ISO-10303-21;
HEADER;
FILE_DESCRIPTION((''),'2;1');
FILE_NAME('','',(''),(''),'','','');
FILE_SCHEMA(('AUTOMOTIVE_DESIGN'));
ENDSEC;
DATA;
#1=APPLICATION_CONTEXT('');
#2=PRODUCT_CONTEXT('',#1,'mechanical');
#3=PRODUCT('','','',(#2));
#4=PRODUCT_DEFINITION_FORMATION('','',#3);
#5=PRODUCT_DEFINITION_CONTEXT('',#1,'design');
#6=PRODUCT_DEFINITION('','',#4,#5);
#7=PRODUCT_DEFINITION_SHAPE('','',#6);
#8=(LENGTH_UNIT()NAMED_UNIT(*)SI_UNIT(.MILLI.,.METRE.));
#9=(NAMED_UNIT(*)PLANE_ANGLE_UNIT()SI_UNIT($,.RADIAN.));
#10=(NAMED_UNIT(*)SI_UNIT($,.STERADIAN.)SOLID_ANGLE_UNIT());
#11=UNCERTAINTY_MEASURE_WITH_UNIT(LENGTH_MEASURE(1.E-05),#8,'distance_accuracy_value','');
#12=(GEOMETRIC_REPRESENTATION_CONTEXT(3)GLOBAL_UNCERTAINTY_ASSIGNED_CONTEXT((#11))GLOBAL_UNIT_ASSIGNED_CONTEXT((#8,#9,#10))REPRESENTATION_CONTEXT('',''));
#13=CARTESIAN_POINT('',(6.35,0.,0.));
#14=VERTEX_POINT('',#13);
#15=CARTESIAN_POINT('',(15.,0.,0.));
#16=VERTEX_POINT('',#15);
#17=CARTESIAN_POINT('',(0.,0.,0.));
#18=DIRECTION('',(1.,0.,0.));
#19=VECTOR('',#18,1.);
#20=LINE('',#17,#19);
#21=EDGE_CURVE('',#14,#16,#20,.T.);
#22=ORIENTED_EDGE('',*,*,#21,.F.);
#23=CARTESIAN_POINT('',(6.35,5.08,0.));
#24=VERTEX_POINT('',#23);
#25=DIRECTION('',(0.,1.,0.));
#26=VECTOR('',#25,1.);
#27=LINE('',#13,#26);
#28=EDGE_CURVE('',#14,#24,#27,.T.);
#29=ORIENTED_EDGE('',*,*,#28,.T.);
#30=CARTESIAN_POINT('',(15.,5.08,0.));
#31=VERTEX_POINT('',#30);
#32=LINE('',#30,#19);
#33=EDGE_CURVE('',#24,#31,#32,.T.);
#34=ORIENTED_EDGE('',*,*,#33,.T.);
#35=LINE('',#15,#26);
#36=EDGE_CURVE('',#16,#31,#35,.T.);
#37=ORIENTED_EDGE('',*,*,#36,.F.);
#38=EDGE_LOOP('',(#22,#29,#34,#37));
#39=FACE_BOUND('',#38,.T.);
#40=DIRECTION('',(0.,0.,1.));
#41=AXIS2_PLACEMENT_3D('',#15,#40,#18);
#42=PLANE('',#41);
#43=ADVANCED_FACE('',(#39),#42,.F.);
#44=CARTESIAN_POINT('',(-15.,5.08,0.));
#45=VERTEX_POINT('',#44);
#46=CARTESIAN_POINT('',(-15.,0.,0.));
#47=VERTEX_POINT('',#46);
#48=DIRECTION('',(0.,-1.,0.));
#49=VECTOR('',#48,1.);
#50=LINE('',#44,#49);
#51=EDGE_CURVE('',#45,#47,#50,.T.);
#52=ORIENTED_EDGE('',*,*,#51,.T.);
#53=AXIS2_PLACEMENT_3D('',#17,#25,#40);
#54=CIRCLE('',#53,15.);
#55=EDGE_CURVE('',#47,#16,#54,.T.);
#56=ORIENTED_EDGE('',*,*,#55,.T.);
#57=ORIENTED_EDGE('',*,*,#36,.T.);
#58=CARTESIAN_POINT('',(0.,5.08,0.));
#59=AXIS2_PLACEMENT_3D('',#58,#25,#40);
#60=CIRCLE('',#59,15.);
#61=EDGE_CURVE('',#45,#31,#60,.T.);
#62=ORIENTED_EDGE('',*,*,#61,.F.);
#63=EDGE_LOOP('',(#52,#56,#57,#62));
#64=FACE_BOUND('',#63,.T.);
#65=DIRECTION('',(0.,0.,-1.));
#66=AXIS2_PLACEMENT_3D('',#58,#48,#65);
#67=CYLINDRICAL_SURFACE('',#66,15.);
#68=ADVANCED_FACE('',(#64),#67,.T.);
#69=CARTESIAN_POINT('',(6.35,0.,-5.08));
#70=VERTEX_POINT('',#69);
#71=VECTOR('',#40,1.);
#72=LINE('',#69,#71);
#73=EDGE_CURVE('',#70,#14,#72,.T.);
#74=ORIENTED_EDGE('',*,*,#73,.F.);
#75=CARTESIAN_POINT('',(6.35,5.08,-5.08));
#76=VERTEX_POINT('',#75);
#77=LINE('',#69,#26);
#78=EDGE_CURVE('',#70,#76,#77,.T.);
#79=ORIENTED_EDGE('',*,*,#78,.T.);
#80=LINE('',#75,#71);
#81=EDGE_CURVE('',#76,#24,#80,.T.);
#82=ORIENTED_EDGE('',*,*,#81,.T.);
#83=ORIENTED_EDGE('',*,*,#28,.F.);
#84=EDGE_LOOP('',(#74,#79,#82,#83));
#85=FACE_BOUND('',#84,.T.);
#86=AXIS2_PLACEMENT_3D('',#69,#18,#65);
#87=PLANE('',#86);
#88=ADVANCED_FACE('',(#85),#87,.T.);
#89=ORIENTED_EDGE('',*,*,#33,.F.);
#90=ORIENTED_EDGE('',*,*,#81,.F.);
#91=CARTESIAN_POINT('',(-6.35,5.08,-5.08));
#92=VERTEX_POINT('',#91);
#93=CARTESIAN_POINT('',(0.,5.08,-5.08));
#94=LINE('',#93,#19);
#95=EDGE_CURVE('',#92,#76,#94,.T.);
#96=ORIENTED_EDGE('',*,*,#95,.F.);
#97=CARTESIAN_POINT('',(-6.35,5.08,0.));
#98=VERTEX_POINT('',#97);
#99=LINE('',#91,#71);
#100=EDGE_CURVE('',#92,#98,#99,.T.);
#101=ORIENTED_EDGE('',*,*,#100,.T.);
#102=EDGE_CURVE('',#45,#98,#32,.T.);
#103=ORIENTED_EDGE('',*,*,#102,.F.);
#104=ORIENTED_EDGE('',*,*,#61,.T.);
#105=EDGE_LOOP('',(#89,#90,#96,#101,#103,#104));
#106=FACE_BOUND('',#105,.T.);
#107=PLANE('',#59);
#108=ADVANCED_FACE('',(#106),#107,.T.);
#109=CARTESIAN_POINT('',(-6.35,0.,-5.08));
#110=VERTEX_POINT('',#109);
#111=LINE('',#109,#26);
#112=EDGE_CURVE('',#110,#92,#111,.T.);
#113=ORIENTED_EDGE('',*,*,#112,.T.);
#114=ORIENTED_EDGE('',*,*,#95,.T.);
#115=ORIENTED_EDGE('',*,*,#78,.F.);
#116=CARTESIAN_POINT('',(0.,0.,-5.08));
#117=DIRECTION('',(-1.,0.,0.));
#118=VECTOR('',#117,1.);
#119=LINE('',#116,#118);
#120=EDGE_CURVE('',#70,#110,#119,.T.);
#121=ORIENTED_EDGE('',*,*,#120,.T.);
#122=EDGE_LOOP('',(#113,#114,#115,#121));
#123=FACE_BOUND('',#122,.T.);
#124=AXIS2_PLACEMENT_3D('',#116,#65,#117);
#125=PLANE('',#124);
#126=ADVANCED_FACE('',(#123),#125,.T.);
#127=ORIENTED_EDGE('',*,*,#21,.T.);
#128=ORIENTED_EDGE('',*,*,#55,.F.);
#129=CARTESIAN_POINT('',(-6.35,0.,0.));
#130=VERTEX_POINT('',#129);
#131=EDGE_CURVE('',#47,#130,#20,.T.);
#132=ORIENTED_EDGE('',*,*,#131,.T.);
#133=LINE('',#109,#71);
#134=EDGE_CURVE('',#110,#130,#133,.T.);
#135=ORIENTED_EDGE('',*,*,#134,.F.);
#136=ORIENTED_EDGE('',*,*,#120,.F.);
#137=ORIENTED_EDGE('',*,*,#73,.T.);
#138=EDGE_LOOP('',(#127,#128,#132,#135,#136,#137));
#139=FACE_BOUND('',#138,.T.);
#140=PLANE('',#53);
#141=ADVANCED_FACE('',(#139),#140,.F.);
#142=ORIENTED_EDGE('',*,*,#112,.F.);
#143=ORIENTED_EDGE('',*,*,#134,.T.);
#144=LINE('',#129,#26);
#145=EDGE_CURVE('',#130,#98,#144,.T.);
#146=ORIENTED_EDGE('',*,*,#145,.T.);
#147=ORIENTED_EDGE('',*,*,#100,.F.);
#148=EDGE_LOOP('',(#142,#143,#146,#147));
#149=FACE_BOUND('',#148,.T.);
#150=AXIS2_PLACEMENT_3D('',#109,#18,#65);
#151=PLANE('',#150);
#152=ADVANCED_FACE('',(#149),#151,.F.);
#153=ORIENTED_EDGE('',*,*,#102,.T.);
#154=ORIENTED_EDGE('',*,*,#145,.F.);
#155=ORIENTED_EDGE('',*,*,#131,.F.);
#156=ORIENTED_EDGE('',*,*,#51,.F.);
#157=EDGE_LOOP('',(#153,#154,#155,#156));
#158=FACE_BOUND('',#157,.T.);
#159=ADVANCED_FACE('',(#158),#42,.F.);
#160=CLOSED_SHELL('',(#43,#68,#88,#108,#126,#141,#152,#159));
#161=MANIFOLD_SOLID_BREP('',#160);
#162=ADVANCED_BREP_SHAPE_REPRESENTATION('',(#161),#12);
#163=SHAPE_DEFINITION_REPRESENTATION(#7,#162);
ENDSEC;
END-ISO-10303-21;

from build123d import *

# Parameters (mm, degrees)
SKETCH1_R           = 15
BOSS_EXTRUDE1_DEPTH = 5.08
SKETCH2_W           = 841.216063822
SKETCH2_H           = 769.249769976
CUT_EXTRUDE1_DEPTH  = 5.08
SKETCH3_W           = 12.7
SKETCH3_H           = 5.08
BOSS_EXTRUDE2_DEPTH = 5.08


with BuildPart() as part:
    # Sketch1 → Boss-Extrude1 (new body)
    with BuildSketch(Plane(origin=(0, 0, 0), x_dir=(1, 0, 0), z_dir=(0, 1, 0))):
        Circle(SKETCH1_R)
    extrude(amount=BOSS_EXTRUDE1_DEPTH)

    # Sketch2 → Cut-Extrude1 (cut)
    with BuildSketch(Plane(origin=(0, 5.08, 0), x_dir=(1, 0, 0), z_dir=(0, 1, 0))):
        with Locations((-405.608031911, 384.624884988)):
            Rectangle(SKETCH2_W, SKETCH2_H)
    extrude(amount=-CUT_EXTRUDE1_DEPTH, mode=Mode.SUBTRACT)

    # Sketch3 → Boss-Extrude2 (add)
    with BuildSketch(Plane(origin=(0, 0, 0), x_dir=(-1, 0, 0), z_dir=(0, 0, -1))):
        with Locations((0, 2.54)):
            Rectangle(SKETCH3_W, SKETCH3_H)
    extrude(amount=BOSS_EXTRUDE2_DEPTH)


solid = part.part
